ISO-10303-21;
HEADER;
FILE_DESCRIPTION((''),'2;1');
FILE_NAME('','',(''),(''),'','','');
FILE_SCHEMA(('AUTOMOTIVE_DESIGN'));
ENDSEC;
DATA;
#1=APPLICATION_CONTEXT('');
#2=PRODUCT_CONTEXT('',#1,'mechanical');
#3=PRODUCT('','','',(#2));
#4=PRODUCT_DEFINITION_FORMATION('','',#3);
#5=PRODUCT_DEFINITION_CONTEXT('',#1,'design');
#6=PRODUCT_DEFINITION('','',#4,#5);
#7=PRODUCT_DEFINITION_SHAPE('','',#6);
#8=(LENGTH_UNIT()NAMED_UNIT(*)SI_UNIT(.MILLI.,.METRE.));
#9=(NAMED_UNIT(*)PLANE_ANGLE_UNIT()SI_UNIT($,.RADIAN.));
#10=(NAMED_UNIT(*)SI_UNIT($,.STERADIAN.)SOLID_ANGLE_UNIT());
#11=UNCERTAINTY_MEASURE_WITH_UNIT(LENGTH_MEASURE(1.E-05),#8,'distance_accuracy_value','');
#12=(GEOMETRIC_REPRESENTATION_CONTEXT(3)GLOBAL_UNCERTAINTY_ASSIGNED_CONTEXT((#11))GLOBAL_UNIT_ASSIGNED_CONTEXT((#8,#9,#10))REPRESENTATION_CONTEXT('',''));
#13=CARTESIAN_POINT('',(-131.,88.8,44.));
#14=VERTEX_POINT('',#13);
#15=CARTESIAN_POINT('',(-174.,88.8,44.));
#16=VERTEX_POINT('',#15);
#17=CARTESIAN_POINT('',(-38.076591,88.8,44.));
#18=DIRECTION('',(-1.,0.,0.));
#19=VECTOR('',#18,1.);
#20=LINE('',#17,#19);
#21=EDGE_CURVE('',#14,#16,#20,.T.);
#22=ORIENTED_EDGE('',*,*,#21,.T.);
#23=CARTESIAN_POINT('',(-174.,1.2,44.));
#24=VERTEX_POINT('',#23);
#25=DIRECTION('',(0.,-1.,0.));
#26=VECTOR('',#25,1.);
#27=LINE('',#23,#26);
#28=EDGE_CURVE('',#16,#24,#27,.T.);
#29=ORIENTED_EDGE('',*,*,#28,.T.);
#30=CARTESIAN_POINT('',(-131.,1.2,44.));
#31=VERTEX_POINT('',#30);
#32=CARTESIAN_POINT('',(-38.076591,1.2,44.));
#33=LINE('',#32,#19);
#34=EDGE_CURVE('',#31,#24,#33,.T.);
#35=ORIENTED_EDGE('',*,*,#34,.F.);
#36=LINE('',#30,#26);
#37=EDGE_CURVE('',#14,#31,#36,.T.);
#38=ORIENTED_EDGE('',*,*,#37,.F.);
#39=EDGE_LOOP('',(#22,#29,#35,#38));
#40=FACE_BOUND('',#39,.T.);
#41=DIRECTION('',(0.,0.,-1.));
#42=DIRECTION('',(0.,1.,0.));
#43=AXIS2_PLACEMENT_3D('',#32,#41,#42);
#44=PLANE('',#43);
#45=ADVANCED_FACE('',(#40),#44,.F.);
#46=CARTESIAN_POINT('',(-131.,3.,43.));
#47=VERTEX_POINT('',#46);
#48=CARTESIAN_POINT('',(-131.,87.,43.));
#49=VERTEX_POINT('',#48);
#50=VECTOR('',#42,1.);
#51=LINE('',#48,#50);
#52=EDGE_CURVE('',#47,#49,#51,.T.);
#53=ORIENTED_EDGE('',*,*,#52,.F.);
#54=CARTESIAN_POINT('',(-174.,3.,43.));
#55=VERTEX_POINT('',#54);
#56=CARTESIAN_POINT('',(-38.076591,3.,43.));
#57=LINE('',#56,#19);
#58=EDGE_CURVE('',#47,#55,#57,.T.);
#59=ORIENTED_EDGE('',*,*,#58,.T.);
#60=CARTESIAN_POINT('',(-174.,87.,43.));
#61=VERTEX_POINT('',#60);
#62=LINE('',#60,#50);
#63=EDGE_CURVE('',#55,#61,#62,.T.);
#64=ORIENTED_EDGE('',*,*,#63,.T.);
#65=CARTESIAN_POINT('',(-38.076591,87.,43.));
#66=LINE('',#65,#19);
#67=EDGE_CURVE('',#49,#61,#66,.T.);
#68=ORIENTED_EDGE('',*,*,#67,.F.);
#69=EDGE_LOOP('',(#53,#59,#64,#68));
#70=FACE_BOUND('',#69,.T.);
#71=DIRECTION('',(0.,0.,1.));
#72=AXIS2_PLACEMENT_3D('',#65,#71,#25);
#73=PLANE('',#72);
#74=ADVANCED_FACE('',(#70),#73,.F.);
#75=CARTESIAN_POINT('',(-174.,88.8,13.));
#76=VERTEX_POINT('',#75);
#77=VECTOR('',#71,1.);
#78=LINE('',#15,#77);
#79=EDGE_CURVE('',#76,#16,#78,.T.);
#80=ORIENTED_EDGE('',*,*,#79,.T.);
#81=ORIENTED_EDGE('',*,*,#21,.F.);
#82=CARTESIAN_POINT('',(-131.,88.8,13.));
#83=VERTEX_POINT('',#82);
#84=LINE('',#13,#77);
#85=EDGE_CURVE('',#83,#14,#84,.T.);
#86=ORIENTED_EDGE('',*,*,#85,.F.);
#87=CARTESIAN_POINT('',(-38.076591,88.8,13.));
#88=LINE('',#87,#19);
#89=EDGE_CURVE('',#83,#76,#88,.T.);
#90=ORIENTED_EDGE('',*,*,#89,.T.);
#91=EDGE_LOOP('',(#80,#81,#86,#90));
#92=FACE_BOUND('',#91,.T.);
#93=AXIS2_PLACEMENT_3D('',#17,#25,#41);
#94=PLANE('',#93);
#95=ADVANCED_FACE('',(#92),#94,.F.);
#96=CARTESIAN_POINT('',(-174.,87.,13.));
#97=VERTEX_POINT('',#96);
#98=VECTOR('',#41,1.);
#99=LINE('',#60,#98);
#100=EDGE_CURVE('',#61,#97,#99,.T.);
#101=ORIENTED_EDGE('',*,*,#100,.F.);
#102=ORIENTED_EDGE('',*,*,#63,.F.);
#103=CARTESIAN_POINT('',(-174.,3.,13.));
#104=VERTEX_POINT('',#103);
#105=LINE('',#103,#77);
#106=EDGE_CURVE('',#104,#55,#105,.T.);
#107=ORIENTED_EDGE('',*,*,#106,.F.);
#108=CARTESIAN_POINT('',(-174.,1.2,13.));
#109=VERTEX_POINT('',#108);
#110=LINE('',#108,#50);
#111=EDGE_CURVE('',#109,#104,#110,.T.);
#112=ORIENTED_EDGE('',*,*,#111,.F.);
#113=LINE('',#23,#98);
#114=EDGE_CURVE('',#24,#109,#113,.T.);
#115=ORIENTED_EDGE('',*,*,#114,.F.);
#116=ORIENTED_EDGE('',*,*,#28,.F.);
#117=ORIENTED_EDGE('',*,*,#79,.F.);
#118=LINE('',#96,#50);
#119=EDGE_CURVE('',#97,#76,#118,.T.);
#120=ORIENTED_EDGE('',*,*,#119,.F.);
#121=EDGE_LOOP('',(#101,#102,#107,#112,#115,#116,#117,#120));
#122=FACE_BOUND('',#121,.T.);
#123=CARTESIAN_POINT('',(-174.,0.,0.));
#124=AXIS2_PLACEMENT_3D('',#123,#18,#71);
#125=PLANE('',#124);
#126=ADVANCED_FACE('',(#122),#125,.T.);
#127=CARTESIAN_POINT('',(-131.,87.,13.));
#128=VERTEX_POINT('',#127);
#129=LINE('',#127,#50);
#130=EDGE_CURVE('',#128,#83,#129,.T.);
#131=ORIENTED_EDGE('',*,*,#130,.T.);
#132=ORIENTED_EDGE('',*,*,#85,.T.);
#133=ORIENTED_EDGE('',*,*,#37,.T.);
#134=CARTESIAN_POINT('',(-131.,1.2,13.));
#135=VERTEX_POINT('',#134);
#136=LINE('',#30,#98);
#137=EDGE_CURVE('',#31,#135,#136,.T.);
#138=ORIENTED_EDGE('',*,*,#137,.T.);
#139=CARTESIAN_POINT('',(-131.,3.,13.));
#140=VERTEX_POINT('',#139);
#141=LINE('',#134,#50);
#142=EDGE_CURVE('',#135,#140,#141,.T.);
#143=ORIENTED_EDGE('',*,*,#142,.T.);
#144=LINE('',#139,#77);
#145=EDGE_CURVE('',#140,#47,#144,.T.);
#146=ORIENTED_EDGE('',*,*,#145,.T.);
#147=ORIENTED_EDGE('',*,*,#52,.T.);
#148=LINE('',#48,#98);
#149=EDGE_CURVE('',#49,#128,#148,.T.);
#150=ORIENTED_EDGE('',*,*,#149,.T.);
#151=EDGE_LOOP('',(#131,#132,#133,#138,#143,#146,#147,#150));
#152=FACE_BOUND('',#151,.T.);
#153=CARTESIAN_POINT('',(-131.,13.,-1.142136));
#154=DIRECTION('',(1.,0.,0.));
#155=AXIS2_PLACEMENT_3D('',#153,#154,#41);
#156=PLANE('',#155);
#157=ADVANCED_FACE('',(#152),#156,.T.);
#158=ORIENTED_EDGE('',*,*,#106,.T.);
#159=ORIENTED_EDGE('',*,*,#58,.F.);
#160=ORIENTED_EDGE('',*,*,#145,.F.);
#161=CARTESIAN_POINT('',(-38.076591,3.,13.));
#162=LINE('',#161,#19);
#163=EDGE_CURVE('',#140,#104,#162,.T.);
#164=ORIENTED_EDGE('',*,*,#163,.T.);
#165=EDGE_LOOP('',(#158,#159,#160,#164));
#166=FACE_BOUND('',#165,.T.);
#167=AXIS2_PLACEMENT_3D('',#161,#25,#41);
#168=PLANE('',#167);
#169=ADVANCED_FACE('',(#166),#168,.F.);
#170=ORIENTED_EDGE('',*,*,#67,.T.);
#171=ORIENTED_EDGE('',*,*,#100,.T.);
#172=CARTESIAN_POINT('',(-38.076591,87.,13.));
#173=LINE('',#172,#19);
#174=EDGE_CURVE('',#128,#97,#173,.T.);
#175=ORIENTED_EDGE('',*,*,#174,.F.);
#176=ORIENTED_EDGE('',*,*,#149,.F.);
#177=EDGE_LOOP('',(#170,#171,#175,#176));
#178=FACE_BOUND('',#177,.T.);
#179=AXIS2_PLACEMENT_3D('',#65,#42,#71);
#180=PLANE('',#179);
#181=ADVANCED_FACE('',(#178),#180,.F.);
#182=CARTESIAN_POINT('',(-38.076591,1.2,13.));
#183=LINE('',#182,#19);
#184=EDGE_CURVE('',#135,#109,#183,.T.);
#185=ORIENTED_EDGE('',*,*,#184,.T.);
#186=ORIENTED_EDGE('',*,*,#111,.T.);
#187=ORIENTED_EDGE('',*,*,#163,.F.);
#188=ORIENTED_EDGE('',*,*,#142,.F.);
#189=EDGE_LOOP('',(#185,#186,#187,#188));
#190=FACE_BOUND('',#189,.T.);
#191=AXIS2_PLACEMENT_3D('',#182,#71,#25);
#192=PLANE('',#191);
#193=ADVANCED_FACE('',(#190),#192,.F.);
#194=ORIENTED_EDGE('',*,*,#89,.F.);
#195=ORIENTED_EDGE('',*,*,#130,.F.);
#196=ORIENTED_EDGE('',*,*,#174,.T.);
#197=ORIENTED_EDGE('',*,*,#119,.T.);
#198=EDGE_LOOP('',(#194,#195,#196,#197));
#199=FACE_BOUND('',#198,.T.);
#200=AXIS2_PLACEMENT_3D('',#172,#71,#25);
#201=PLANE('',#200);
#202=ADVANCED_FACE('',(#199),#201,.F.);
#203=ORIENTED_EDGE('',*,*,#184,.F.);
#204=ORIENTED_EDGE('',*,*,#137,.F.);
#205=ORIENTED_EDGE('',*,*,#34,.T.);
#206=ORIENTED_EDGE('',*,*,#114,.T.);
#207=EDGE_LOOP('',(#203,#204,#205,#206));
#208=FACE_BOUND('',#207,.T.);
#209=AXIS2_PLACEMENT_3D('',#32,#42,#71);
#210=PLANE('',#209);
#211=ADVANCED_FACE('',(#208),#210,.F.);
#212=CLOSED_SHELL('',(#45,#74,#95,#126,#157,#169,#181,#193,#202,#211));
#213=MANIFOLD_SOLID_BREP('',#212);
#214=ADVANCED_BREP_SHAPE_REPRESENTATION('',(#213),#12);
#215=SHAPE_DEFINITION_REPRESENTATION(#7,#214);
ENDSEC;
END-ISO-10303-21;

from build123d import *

# Parameters (mm, degrees)
BOSS_EXTRUDE1_DEPTH = 43


with BuildPart() as part:
    # Sketch1 → Boss-Extrude1 (new body)
    with BuildSketch(Plane(origin=(-174, 0, 0), x_dir=(0, 0, -1), z_dir=(1, 0, 0))):
        Polygon((-44, 88.8), (-13, 88.8), (-13, 87), (-43, 87), (-43, 3), (-13, 3), (-13, 1.2), (-44, 1.2), align=None)
    extrude(amount=BOSS_EXTRUDE1_DEPTH)


solid = part.part
